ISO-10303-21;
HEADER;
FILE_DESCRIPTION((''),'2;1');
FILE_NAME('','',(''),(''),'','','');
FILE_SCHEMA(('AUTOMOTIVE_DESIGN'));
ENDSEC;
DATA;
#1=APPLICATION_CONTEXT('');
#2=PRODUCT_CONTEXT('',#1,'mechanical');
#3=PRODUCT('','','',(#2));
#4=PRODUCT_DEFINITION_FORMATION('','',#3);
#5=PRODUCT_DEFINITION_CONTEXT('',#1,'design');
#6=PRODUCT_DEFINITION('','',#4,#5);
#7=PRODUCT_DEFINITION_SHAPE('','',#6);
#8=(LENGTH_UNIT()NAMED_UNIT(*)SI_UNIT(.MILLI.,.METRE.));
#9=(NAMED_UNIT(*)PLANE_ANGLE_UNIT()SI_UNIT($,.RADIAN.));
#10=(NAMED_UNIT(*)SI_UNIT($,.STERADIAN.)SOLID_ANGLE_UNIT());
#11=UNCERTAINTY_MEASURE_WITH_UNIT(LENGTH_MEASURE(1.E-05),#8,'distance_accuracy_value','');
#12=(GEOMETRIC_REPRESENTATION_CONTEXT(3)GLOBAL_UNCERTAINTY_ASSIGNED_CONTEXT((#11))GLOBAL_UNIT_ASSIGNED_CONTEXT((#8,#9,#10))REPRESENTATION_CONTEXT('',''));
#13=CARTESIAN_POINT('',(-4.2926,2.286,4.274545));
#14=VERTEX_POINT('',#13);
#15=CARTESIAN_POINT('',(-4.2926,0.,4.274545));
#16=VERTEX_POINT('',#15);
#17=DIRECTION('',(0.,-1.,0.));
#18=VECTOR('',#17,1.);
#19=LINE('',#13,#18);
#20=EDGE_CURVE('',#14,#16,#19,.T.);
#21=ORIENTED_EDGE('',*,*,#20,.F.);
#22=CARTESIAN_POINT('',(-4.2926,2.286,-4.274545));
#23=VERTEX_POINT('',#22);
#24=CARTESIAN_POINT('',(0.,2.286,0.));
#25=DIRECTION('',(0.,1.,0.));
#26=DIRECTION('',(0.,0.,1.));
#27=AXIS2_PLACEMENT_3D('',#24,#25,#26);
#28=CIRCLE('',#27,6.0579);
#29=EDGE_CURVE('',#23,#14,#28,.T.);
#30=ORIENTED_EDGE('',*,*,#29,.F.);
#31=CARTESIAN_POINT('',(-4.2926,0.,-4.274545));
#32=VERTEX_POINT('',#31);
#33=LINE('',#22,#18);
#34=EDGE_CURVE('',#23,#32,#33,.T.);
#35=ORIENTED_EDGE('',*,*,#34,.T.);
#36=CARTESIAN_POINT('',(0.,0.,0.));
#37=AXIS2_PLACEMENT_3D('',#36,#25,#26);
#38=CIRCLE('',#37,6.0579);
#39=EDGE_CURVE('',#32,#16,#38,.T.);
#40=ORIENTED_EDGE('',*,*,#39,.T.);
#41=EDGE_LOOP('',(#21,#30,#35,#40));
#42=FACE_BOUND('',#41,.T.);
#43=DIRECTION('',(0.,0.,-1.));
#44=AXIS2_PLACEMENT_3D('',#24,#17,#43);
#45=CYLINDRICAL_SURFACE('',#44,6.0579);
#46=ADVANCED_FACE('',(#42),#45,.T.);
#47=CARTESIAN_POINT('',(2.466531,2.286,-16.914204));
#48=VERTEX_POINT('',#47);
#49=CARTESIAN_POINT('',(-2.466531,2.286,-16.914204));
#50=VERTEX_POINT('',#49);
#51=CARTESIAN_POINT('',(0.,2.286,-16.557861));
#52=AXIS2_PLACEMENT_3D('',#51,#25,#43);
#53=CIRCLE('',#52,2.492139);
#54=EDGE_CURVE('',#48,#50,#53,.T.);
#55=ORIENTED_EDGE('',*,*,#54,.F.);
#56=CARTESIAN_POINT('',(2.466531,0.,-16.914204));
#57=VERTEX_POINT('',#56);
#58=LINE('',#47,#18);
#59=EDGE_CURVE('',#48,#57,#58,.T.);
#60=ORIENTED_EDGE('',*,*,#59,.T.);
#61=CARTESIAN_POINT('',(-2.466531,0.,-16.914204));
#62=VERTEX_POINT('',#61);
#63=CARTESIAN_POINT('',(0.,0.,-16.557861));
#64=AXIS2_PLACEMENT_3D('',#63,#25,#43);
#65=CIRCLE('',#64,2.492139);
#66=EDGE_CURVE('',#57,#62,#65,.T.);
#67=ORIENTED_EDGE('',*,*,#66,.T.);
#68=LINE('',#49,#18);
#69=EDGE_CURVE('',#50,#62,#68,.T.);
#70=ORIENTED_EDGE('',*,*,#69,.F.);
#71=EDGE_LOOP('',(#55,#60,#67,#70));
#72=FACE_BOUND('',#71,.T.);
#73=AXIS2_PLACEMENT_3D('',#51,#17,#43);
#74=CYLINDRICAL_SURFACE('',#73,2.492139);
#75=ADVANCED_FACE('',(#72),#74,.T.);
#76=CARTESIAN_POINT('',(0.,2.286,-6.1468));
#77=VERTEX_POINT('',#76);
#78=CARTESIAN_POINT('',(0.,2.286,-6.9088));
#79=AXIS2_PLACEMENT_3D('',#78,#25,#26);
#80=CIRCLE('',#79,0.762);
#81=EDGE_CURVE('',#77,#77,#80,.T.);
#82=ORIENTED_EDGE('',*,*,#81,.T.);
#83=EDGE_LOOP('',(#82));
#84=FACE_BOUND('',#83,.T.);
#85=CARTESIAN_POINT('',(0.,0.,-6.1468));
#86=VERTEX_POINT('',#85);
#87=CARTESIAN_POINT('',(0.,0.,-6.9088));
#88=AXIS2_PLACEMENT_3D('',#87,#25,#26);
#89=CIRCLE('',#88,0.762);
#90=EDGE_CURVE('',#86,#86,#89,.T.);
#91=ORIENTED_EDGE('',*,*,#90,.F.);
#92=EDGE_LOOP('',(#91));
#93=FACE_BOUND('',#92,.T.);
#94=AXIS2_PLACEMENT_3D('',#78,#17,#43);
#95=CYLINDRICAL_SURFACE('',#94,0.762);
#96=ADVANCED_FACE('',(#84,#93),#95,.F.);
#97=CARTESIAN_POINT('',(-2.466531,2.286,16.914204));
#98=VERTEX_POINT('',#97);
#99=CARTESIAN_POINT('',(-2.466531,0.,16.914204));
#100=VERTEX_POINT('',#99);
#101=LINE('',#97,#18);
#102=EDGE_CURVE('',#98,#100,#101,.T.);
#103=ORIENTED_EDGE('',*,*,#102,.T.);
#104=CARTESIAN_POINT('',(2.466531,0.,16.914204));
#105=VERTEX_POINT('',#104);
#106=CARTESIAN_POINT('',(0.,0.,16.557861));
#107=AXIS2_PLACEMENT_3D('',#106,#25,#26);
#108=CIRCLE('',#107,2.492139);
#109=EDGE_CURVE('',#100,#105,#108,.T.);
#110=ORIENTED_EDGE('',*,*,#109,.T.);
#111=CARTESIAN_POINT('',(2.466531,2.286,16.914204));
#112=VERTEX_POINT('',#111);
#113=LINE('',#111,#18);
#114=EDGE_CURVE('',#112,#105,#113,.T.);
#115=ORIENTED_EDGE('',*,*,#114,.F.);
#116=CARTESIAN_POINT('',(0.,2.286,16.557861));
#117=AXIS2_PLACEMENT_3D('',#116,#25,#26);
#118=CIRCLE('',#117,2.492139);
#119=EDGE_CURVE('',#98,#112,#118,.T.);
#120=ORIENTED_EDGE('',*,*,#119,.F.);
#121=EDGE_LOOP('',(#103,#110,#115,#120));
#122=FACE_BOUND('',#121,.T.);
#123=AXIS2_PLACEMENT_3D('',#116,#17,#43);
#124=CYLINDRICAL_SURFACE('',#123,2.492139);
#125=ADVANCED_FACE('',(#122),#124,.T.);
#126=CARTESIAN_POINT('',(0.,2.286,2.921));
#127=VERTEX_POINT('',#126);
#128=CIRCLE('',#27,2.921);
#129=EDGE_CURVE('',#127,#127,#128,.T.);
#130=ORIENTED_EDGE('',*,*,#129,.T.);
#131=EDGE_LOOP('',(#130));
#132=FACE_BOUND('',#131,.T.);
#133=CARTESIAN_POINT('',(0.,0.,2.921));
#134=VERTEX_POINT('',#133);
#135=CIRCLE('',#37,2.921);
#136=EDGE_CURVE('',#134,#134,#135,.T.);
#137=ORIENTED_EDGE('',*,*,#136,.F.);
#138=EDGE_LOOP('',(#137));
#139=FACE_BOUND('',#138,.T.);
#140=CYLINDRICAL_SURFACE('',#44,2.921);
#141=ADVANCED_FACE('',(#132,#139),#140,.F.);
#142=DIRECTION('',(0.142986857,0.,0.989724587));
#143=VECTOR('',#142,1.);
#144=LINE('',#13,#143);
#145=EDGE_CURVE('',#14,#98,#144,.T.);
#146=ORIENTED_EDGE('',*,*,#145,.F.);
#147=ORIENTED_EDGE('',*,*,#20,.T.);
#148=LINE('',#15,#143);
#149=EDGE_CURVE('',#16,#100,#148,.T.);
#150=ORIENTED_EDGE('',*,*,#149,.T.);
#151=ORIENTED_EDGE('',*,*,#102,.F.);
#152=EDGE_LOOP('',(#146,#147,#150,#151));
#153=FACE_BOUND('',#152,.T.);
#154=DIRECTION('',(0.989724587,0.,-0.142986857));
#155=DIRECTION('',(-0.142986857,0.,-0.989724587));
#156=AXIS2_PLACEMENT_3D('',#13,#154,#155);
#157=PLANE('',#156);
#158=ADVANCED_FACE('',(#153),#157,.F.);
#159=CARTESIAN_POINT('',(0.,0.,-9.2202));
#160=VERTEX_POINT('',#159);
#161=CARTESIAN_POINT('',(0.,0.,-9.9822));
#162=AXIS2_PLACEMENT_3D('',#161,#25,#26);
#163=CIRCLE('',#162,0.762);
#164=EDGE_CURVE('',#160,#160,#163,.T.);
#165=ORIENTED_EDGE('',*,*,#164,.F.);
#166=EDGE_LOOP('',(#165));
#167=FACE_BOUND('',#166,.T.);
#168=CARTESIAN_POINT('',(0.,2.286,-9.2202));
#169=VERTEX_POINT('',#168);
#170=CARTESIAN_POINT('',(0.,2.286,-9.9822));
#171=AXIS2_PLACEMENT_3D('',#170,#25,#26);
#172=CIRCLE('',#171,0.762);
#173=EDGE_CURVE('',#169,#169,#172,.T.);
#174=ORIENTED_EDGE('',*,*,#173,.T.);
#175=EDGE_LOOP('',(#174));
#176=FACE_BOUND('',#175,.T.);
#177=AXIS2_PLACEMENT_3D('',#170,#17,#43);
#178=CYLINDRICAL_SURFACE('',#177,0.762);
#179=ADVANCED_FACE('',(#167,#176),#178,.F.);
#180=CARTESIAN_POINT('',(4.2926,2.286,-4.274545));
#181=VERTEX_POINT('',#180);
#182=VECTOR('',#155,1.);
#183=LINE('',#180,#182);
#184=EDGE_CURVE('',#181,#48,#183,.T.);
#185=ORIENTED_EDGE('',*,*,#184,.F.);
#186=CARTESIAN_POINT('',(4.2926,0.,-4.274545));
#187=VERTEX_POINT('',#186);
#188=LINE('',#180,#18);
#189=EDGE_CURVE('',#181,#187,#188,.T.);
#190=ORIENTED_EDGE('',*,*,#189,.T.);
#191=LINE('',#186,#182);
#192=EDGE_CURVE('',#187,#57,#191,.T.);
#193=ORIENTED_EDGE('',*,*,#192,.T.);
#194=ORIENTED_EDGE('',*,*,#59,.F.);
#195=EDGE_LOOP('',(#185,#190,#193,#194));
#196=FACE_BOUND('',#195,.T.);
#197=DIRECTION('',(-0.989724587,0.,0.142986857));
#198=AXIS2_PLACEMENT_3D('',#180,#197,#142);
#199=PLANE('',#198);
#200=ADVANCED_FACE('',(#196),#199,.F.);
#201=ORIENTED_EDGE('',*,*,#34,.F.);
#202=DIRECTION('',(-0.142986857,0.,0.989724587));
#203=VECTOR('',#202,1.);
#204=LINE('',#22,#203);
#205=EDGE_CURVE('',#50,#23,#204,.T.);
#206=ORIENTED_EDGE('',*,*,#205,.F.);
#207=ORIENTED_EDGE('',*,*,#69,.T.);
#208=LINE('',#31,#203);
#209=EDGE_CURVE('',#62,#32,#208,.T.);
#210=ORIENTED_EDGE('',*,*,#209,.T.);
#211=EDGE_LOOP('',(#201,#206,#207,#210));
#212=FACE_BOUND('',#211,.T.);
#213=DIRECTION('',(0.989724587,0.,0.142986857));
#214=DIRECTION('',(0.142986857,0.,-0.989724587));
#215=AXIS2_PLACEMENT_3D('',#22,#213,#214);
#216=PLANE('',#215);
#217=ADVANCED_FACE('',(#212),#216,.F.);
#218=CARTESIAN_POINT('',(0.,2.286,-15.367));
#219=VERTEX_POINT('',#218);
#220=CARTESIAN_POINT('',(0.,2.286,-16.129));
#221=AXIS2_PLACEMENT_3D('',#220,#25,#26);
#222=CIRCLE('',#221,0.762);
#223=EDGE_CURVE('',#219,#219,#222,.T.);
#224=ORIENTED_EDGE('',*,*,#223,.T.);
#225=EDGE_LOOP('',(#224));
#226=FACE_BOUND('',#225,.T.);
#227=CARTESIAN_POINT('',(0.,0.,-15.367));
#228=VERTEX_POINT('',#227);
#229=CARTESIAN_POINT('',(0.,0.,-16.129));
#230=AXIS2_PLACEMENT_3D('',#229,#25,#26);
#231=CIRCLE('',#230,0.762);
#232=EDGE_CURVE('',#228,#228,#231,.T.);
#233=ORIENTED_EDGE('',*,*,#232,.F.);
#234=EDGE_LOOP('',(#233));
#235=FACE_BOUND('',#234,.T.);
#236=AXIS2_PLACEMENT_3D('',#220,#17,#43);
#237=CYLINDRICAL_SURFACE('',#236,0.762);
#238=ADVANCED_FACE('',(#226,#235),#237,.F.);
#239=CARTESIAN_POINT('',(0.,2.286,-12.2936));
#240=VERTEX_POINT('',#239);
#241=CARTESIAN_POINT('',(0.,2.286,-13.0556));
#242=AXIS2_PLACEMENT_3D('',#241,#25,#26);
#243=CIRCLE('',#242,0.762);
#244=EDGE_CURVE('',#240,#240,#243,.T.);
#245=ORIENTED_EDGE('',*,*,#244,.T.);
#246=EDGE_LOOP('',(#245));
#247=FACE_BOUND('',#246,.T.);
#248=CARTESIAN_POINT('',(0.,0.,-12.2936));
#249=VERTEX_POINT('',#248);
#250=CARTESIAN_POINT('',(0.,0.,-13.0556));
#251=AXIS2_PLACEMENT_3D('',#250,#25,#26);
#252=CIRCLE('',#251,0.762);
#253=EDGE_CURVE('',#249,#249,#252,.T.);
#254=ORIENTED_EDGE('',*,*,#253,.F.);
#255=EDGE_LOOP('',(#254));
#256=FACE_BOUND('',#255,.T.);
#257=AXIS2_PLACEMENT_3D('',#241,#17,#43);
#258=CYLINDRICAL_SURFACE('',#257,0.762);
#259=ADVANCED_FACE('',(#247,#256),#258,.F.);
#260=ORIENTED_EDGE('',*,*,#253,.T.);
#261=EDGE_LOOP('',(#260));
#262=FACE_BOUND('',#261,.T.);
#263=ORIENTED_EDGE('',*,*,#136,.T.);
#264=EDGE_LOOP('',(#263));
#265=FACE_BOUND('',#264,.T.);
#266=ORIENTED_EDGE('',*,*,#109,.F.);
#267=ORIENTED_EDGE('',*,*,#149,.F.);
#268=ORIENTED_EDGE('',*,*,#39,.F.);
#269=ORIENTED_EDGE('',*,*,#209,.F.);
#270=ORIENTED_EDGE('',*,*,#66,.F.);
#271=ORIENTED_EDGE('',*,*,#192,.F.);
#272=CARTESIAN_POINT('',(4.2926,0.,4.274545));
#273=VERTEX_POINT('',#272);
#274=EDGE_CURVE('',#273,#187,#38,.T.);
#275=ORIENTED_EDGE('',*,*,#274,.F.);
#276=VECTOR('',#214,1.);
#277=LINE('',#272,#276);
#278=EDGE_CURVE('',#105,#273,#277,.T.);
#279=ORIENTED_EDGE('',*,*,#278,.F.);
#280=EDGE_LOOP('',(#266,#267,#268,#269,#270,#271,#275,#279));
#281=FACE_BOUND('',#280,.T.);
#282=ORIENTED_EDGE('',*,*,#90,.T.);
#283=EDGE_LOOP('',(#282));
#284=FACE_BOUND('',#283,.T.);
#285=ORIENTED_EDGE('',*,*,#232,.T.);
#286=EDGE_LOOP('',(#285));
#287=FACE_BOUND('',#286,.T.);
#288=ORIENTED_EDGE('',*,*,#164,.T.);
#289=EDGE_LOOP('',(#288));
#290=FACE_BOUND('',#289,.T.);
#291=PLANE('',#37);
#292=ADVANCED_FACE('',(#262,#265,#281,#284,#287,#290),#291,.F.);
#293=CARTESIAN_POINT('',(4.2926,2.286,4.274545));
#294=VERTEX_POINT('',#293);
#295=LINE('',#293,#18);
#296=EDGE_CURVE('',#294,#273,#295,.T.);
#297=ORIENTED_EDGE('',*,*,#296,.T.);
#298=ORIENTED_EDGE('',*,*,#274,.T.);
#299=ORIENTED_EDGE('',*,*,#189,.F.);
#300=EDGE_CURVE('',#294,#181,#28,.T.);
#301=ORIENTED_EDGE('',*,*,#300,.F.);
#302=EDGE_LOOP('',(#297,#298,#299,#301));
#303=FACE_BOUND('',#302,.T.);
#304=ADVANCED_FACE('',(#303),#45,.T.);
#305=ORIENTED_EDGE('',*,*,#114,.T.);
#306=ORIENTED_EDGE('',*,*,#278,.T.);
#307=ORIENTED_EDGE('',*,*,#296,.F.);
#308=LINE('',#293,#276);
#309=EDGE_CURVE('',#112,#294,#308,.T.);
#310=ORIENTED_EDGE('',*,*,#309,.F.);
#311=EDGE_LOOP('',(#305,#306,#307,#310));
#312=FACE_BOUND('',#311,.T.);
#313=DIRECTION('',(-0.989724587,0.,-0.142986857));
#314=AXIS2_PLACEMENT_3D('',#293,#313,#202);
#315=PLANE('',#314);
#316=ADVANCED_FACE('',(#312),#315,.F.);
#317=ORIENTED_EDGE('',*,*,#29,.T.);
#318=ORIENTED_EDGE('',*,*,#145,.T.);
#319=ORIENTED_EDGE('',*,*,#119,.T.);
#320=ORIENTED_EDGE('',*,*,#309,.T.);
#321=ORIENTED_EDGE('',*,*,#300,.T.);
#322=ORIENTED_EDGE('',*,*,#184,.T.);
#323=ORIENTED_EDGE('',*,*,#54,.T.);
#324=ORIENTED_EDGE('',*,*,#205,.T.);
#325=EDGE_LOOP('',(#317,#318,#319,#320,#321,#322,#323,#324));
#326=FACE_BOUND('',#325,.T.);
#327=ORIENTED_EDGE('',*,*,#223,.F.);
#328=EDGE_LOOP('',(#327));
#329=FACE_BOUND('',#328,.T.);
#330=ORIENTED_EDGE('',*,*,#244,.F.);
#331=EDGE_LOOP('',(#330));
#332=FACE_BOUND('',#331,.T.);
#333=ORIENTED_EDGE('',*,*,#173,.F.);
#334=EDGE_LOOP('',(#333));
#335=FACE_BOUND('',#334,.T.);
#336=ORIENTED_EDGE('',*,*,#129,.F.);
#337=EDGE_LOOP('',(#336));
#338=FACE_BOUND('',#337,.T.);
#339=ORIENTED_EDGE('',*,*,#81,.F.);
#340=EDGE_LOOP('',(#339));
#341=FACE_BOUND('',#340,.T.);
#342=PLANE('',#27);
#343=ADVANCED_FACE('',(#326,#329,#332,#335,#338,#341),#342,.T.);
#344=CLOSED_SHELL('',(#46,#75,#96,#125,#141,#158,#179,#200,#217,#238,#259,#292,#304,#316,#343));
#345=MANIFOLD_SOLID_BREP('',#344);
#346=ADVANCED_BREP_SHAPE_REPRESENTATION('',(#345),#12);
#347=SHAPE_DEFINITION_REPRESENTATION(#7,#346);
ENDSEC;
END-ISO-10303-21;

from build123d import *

# Parameters (mm, degrees)
SKETCH1_R           = 2.921
SKETCH1_R_2         = 0.762
BOSS_EXTRUDE1_DEPTH = 2.286


with BuildPart() as part:
    # Sketch1 → Boss-Extrude1 (new body)
    with BuildSketch(Plane(origin=(0, 0, 0), x_dir=(1, 0, 0), z_dir=(0, 1, 0))):
        with BuildLine():
            Line((-4.2926, 4.274545315), (-2.466531309, 16.914204067))
            ThreePointArc((-2.466531309, 16.914204067), (0, 19.05), (2.466531309, 16.914204067))
            Line((2.466531309, 16.914204067), (4.2926, 4.274545315))
            ThreePointArc((4.2926, 4.274545315), (6.0579, 0), (4.2926, -4.274545315))
            Line((4.2926, -4.274545315), (2.466531309, -16.914204067))
            ThreePointArc((2.466531309, -16.914204067), (0, -19.05), (-2.466531309, -16.914204067))
            Line((-2.466531309, -16.914204067), (-4.2926, -4.274545315))
            ThreePointArc((-4.2926, -4.274545315), (-6.0579, 0), (-4.2926, 4.274545315))
        make_face()
        Circle(SKETCH1_R, mode=Mode.SUBTRACT)
        with Locations((0, 16.129)):
            Circle(SKETCH1_R_2, mode=Mode.SUBTRACT)
        with Locations((0, 13.0556)):
            Circle(SKETCH1_R_2, mode=Mode.SUBTRACT)
        with Locations((0, 9.9822)):
            Circle(SKETCH1_R_2, mode=Mode.SUBTRACT)
        with Locations((0, 6.9088)):
            Circle(SKETCH1_R_2, mode=Mode.SUBTRACT)
    extrude(amount=BOSS_EXTRUDE1_DEPTH)


solid = part.part
